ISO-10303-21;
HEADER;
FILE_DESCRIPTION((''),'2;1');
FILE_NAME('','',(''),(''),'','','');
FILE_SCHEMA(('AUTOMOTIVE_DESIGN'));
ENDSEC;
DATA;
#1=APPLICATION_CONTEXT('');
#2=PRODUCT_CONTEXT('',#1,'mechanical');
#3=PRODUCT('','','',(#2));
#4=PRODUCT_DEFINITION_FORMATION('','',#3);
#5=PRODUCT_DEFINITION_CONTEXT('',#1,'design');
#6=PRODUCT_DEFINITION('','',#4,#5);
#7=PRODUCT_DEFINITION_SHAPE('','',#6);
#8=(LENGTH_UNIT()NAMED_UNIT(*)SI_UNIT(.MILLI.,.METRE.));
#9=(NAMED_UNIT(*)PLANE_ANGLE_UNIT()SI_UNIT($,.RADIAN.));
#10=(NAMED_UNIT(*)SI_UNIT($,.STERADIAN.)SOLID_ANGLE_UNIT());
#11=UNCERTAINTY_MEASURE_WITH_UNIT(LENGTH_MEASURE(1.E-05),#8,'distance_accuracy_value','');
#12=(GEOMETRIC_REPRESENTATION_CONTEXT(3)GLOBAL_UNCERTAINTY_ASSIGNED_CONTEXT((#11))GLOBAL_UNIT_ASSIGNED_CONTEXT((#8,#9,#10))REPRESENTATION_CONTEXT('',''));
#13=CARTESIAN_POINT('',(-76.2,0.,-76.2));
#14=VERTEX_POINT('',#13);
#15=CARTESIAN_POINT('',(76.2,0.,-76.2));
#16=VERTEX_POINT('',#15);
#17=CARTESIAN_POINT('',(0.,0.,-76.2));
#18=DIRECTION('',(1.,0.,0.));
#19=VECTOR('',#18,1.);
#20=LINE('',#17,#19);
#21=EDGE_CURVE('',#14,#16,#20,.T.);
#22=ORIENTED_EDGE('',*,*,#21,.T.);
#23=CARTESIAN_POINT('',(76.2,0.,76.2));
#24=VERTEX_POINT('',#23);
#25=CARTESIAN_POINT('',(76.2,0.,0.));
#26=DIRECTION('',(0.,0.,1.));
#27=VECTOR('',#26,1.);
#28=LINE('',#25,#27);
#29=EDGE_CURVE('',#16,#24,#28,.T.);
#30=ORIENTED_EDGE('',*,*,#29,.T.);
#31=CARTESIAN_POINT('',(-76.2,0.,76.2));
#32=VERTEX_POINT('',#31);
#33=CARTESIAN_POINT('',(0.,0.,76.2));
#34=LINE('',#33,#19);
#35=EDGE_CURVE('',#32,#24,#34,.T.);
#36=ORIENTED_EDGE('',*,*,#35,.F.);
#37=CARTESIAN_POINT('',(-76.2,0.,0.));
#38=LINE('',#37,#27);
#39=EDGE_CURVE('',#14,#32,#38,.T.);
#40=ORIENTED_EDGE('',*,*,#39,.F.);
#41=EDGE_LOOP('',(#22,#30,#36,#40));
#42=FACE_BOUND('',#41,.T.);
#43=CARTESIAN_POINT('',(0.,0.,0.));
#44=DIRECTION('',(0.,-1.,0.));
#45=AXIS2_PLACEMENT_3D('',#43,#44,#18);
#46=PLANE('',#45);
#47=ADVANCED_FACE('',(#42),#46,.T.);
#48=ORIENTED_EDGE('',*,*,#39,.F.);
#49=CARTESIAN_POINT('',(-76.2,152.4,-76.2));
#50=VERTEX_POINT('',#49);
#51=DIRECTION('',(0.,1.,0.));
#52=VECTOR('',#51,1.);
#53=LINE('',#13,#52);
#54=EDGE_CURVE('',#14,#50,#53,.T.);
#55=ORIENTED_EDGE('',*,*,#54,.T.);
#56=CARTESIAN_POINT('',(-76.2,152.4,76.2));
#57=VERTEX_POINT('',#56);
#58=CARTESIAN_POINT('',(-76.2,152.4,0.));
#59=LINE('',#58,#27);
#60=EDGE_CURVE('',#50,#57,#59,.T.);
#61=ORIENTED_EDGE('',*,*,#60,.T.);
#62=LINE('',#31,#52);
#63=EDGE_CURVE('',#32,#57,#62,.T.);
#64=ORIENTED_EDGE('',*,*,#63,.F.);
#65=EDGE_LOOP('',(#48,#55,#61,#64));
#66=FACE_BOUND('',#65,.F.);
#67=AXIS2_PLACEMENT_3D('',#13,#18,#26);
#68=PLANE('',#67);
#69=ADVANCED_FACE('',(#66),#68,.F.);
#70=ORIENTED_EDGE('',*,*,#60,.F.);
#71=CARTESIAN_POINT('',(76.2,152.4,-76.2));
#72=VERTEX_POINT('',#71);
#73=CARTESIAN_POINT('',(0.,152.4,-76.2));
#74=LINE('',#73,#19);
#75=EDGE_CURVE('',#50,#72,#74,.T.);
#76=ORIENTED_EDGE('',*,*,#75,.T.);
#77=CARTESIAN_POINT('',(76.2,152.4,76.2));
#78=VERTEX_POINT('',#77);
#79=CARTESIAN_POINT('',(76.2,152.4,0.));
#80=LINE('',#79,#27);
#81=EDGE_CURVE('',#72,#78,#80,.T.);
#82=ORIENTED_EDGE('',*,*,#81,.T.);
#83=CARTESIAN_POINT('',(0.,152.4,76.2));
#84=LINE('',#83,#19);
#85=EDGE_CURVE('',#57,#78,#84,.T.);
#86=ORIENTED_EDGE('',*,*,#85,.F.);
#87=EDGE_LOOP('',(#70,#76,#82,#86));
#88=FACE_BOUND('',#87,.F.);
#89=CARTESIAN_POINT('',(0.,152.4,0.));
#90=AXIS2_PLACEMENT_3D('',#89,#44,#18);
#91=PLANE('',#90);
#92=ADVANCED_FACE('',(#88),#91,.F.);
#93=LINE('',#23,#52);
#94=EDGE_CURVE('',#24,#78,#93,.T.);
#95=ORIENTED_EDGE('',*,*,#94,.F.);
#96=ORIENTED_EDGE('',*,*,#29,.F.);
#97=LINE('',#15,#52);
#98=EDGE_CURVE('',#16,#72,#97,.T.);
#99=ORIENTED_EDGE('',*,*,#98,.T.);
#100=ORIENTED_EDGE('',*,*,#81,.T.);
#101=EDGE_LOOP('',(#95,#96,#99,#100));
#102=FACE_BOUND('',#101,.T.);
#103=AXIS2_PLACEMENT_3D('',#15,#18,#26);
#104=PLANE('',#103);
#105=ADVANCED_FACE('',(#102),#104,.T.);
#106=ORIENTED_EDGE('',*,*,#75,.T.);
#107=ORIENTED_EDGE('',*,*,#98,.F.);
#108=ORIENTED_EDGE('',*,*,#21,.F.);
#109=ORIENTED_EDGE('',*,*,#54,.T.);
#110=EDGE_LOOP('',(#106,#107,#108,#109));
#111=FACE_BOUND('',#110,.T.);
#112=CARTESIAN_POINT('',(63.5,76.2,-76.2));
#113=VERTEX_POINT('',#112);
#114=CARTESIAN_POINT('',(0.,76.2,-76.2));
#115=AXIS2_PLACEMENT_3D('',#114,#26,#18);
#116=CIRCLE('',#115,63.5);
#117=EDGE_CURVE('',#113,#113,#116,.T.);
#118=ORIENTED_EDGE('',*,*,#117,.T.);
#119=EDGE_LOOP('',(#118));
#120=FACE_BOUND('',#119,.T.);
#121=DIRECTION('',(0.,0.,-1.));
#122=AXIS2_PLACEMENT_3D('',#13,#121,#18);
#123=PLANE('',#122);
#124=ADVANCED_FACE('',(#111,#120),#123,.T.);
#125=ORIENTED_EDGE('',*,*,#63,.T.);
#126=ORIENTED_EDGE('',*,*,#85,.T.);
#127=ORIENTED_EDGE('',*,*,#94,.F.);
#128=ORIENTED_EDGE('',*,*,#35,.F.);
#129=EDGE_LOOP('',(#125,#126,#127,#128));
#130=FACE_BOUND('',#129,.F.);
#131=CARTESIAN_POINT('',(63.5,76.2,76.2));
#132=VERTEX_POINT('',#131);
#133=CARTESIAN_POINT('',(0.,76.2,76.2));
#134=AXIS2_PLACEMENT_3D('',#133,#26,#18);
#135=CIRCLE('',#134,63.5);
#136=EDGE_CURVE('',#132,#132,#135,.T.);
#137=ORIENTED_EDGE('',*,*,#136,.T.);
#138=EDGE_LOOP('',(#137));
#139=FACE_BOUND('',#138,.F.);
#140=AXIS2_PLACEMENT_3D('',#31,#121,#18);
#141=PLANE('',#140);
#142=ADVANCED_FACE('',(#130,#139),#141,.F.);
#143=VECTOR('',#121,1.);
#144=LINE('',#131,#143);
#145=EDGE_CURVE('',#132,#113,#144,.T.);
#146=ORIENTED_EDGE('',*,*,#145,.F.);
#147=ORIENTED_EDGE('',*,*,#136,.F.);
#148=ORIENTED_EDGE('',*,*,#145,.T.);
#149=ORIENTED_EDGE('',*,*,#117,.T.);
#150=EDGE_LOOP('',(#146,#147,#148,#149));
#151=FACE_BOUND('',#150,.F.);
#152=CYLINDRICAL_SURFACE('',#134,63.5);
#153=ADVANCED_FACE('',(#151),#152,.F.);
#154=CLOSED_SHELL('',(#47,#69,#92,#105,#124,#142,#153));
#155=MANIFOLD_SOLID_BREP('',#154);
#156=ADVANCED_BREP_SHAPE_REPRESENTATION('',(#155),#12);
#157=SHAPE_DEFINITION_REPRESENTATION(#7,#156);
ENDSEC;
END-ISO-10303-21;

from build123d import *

# Parameters (mm, degrees)
F0_W     = 152.4
F0_H     = 152.4
F1_DEPTH = 152.4
F2_R     = 63.5
F3_DEPTH = 152.401


with BuildPart() as f1:
    # F0 (on Front) → F1 (new body)
    with BuildSketch(Plane.XZ):
        Rectangle(F0_W, F0_H)
    extrude(amount=-F1_DEPTH)

    # F2 (on face) → F3 (cut, through all)
    with BuildSketch(Plane.XY.offset(76.2)):
        with Locations((0, 76.2)):
            Circle(F2_R)
    extrude(amount=-F3_DEPTH, mode=Mode.SUBTRACT)


solid = f1.part
